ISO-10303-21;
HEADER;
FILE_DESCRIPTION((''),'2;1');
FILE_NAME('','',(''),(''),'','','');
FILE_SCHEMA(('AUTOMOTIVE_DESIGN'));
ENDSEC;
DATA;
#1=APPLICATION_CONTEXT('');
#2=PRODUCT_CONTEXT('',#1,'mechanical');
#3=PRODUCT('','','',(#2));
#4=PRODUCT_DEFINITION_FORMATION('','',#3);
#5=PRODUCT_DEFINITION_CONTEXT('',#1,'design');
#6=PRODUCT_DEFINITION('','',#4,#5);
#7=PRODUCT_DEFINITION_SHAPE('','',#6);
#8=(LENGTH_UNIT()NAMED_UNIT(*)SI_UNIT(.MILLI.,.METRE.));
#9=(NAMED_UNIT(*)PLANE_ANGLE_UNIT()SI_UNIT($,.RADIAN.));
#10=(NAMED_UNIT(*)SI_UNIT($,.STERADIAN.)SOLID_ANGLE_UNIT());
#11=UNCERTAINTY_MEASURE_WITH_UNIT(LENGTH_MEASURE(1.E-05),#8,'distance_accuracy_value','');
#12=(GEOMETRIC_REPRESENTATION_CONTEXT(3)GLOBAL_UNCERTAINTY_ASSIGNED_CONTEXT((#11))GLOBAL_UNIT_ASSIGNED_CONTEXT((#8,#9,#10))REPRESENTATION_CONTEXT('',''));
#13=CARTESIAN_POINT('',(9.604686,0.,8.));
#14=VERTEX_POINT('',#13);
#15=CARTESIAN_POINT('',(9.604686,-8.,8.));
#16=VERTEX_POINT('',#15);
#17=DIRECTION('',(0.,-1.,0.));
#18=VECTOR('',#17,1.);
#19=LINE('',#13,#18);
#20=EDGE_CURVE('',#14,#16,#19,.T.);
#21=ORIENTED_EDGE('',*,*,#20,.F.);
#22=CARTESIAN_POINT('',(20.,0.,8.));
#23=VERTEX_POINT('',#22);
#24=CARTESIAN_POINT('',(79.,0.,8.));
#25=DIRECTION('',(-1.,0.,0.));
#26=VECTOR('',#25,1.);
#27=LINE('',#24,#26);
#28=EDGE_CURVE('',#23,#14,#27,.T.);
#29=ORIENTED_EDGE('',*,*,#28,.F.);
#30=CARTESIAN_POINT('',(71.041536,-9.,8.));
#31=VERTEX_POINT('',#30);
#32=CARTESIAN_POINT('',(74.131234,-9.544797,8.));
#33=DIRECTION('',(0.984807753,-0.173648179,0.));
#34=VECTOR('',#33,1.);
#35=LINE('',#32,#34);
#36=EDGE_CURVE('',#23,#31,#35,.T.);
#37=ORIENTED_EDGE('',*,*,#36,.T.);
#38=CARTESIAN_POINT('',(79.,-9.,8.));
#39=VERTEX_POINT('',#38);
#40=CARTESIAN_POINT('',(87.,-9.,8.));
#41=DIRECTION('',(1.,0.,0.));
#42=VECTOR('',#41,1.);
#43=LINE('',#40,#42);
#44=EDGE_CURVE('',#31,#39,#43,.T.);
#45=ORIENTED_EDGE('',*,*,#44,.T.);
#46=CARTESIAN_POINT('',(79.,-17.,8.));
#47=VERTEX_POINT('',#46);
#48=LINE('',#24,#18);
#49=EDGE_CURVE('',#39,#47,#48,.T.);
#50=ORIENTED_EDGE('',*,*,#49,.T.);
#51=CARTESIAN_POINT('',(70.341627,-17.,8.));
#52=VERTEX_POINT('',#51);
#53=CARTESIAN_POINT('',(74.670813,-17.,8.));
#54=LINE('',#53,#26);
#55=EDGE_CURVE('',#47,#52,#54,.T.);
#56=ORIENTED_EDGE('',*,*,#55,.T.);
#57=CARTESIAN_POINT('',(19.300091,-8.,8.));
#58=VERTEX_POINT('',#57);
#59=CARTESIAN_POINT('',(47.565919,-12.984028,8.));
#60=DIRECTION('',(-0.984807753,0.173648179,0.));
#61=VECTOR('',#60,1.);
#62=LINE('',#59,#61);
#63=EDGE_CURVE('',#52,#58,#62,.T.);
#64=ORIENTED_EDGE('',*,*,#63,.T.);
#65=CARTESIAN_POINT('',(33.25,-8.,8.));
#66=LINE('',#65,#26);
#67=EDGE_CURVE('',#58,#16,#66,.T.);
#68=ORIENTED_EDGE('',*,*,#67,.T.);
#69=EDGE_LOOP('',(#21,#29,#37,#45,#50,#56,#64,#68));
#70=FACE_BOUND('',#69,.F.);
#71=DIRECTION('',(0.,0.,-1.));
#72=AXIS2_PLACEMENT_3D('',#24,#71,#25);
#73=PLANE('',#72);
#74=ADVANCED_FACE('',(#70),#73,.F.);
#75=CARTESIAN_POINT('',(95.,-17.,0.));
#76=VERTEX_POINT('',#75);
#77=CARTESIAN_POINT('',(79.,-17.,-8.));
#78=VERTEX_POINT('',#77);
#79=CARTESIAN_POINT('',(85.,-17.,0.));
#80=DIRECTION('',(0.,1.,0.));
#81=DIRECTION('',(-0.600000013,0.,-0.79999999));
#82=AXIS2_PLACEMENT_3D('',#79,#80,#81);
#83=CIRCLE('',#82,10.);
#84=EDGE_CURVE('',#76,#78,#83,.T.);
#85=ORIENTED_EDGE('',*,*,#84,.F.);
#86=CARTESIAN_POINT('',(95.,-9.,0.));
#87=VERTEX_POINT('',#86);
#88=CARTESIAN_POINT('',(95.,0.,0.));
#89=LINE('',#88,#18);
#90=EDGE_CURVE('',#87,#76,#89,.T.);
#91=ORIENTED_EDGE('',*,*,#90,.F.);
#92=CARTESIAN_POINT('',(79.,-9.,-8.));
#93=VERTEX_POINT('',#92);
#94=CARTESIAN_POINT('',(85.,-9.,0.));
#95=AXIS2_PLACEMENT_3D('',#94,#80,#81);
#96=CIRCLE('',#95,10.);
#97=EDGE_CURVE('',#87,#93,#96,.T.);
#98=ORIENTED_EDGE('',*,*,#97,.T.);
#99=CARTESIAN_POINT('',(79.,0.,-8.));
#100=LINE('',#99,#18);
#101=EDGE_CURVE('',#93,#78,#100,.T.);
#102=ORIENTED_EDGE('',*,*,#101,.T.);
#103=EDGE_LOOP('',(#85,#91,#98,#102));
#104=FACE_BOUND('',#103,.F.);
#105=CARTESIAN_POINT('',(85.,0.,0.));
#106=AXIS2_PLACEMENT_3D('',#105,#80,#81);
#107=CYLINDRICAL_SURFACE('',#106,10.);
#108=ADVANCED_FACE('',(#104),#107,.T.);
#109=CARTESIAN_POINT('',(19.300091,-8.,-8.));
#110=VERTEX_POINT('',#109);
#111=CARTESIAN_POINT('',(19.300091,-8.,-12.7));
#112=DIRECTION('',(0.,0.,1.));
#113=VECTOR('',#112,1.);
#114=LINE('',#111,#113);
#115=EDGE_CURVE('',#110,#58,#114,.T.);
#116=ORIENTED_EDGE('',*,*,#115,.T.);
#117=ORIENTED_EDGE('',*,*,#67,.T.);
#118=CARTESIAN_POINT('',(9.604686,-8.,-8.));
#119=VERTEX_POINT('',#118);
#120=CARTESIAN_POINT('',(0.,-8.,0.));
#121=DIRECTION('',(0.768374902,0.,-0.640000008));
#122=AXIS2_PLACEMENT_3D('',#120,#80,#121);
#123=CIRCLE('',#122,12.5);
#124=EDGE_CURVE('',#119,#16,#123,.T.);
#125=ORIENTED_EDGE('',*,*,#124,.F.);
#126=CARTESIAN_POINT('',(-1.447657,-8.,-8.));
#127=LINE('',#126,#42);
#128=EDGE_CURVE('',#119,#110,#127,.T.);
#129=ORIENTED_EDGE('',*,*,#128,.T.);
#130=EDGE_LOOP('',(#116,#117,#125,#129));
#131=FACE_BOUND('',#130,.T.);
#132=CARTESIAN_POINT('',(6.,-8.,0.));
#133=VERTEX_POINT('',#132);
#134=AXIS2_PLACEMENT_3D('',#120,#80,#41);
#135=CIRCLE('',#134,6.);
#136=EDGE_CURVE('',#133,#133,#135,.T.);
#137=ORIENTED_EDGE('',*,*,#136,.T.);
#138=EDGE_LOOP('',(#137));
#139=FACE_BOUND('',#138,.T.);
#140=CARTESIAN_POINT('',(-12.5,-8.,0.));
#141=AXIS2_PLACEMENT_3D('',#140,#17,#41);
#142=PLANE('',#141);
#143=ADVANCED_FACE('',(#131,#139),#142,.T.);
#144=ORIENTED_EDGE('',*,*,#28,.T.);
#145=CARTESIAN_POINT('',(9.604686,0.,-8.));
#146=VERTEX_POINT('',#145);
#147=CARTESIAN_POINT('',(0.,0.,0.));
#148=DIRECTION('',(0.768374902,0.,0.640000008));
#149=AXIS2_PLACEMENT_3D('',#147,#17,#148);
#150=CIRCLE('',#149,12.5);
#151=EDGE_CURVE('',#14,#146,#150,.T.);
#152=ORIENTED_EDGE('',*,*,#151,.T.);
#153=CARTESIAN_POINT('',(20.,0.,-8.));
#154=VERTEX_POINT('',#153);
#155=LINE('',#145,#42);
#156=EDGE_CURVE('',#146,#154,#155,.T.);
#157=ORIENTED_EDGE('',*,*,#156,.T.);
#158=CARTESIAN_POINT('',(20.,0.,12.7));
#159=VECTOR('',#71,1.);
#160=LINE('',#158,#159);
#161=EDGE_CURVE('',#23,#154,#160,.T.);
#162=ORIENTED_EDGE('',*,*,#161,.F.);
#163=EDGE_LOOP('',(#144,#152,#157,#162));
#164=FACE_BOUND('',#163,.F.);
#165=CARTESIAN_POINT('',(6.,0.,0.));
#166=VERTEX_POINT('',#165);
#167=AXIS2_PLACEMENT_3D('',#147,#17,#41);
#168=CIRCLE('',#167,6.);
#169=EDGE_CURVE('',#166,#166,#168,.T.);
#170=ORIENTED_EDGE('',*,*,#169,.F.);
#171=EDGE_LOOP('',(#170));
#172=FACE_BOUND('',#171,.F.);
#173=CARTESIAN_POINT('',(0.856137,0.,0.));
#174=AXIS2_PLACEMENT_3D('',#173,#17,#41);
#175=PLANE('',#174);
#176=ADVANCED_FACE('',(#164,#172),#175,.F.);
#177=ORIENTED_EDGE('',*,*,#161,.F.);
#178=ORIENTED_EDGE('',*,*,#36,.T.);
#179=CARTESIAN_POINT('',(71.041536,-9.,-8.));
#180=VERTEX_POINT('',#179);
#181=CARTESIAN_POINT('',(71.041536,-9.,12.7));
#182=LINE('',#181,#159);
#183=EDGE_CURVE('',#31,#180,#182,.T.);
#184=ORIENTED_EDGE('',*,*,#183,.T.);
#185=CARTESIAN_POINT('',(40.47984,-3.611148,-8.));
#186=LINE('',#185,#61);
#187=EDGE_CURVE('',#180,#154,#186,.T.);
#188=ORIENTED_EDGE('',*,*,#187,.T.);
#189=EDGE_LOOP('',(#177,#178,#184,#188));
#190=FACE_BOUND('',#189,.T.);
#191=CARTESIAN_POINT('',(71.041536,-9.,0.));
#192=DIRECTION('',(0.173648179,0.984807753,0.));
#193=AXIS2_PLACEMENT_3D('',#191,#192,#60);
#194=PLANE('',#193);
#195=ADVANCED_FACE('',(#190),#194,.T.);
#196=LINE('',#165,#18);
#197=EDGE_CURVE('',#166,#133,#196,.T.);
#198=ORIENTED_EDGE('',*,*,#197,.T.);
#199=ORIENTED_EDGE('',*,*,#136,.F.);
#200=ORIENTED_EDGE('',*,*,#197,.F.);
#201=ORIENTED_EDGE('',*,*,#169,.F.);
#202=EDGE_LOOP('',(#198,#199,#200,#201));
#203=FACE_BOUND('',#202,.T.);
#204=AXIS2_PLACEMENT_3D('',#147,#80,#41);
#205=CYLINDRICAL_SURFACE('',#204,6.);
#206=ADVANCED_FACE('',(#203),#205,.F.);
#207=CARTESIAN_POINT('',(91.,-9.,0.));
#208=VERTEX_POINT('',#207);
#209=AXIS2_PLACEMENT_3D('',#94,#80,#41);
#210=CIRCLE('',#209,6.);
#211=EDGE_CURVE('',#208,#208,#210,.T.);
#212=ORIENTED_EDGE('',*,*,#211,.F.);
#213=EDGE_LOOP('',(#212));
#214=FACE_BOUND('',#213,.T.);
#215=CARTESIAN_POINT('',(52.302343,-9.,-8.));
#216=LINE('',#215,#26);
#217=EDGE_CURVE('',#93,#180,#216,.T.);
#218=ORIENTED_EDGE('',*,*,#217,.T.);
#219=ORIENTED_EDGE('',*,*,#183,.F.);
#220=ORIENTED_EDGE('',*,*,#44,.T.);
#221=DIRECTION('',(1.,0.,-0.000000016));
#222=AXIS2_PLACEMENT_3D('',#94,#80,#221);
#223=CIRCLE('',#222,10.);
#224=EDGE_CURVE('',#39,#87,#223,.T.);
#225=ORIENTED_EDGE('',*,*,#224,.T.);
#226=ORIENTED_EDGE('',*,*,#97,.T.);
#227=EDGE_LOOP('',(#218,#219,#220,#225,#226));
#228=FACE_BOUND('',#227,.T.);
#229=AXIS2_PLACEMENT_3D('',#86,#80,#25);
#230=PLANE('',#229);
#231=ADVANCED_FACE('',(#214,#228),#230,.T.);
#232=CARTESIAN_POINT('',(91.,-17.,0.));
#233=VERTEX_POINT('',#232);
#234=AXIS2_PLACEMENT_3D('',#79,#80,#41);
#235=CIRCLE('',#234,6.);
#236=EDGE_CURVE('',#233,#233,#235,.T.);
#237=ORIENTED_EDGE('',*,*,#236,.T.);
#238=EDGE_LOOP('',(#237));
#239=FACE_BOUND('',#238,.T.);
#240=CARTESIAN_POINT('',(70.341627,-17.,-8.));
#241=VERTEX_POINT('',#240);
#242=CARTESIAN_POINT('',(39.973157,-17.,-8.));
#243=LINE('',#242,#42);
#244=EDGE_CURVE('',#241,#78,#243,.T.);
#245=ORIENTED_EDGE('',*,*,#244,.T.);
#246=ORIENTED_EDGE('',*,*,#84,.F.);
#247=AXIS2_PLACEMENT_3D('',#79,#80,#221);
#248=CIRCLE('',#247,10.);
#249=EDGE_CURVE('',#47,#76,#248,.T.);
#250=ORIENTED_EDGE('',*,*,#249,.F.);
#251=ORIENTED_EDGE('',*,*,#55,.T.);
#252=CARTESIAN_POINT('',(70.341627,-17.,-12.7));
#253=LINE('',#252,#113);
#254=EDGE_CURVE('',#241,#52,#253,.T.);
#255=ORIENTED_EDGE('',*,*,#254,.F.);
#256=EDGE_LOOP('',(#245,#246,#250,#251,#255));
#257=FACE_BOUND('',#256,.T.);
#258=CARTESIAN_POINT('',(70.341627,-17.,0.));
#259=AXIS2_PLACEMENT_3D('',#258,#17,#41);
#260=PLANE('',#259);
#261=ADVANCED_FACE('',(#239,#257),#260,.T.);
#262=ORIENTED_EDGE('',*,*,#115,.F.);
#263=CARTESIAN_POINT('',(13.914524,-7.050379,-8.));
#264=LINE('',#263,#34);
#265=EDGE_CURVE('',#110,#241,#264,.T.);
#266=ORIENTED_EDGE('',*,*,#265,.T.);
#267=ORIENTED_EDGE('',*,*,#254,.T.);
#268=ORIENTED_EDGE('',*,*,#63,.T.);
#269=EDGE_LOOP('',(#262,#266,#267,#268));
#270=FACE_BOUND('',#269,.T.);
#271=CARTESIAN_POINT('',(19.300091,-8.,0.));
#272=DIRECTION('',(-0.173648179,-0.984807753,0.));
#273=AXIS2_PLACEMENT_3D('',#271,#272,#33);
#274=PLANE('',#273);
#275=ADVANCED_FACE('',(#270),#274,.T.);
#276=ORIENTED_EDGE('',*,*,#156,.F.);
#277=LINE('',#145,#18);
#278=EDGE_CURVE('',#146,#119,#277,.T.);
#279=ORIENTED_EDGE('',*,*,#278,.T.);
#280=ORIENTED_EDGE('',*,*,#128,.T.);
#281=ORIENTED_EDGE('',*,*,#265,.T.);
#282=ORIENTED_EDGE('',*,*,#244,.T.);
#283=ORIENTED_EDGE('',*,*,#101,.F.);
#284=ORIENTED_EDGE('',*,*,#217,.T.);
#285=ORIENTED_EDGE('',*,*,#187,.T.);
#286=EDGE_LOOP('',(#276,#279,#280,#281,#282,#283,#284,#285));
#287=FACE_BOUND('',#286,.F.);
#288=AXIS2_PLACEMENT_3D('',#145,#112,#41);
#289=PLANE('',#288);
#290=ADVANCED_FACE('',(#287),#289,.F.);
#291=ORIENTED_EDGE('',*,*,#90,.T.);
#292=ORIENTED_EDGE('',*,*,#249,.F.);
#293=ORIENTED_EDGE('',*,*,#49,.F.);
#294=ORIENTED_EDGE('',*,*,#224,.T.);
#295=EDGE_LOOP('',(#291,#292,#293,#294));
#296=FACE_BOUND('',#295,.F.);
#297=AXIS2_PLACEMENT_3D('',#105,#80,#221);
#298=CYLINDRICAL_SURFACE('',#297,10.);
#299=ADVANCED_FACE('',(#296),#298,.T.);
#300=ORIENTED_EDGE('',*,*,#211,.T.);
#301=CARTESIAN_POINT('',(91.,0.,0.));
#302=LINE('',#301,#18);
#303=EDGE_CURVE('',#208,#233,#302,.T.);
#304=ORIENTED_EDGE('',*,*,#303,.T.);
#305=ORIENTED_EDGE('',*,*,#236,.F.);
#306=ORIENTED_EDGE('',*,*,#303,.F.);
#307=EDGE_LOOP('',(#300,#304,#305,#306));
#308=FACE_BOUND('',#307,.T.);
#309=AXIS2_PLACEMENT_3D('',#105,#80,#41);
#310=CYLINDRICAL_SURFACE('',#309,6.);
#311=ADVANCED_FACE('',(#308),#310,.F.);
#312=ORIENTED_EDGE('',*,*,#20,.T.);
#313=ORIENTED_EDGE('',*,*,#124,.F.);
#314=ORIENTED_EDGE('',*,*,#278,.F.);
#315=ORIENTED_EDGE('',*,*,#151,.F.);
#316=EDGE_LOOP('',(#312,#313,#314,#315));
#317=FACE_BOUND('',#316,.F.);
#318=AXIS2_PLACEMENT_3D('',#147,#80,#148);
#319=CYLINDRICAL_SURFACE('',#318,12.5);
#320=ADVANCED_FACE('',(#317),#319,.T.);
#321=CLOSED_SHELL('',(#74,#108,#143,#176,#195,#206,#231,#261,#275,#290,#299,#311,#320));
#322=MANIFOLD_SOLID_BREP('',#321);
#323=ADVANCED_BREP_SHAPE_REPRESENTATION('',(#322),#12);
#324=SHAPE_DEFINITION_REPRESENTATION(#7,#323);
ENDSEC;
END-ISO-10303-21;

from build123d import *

# Parameters (mm, degrees)
F0_R     = 6
F1_DEPTH = 25
F3_DEPTH = 12.7


with BuildPart() as f1:
    # F0 (on Front) → F1 (new body)
    with BuildSketch(Plane.XZ):
        with BuildLine():
            ThreePointArc((9.604686, -8), (11.753905, -4.253905), (12.5, 0))
            ThreePointArc((12.5, 0), (11.753905, 4.253905), (9.604686, 8))
            ThreePointArc((9.604686, 8), (-12.5, 0), (9.604686, -8))
        make_face()
        Circle(F0_R, mode=Mode.SUBTRACT)
        with BuildLine():
            ThreePointArc((9.604686, 8), (11.753905, 4.253905), (12.5, 0))
            ThreePointArc((12.5, 0), (11.753905, -4.253905), (9.604686, -8))
            Line((9.604686, -8), (79, -8))
            ThreePointArc((79, -8), (75, 0), (79, 8))
            Line((79, 8), (9.604686, 8))
        make_face()
        with BuildLine():
            ThreePointArc((95, 0), (89.472136, 8.944272), (79, 8))
            ThreePointArc((79, 8), (75, 0), (79, -8))
            ThreePointArc((79, -8), (89.472136, -8.944272), (95, 0))
        make_face()
        with Locations((85, 0)):
            Circle(F0_R, mode=Mode.SUBTRACT)
    extrude(amount=F1_DEPTH)

    # F2 (on Top) → F3 (intersect, symmetric)
    with BuildSketch(Plane.XY):
        Polygon((20, 0), (-12.5, 0), (-12.5, -8), (19.300091, -8), (70.341627, -17), (95, -17), (95, -9), (71.041536, -9), align=None)
    extrude(amount=F3_DEPTH, both=True, mode=Mode.INTERSECT)


solid = f1.part
